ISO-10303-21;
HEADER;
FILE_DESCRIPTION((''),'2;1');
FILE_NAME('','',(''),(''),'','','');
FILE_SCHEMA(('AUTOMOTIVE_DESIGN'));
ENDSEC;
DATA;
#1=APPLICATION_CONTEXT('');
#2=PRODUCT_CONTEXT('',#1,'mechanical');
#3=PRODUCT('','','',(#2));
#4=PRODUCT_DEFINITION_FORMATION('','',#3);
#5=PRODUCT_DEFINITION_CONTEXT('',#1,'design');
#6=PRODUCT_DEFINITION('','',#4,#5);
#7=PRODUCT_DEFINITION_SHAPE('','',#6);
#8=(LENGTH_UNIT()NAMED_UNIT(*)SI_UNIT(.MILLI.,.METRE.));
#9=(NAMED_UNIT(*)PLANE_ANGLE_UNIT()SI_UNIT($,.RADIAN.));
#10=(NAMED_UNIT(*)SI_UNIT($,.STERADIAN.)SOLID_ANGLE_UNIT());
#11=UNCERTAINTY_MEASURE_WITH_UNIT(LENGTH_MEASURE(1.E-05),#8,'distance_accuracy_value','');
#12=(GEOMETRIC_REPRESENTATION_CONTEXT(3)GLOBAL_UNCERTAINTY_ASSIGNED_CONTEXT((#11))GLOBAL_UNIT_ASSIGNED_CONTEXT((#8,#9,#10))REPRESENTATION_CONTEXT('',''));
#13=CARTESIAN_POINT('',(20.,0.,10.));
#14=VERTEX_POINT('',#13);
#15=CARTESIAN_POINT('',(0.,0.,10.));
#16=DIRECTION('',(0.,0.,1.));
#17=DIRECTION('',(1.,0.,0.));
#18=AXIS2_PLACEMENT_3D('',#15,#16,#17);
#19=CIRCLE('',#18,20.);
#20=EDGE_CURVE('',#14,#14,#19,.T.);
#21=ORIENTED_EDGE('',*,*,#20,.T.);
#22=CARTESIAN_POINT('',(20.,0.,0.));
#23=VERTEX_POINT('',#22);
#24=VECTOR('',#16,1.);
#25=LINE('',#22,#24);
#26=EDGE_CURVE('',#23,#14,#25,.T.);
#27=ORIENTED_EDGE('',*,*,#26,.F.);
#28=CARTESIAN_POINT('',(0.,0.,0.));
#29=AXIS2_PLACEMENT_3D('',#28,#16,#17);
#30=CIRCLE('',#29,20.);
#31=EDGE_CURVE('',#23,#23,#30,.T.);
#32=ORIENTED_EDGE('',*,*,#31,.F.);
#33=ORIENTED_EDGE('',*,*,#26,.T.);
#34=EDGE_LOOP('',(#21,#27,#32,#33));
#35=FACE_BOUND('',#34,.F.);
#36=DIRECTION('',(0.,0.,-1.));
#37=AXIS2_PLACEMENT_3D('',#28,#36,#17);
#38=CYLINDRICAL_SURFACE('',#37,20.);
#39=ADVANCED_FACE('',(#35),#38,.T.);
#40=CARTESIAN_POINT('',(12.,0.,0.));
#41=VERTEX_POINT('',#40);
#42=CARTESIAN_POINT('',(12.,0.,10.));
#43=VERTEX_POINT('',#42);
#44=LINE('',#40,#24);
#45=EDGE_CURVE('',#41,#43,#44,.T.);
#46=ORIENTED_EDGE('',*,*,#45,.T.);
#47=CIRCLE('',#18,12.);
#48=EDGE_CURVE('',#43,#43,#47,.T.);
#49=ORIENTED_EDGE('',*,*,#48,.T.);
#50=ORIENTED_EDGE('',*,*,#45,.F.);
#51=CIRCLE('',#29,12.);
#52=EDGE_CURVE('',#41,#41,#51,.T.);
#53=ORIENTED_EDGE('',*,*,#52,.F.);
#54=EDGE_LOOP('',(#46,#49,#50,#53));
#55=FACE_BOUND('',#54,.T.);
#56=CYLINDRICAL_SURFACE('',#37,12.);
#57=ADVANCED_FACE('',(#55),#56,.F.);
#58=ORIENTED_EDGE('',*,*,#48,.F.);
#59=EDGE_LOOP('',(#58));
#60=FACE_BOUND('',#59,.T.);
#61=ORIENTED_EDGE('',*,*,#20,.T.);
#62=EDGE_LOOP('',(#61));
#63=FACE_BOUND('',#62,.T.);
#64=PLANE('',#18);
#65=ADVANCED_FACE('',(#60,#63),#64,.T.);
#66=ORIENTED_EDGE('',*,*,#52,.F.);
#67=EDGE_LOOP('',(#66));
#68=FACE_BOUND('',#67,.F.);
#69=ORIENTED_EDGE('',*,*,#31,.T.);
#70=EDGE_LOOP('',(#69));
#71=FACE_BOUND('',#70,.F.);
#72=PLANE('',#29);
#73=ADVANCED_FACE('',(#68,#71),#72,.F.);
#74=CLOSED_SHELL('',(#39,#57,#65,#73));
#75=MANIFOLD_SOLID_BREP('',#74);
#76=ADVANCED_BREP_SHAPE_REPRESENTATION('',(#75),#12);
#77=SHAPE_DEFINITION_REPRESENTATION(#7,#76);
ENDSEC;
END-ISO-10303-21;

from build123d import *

# Parameters (mm, degrees)
SKETCH_R   = 20
SKETCH_R_2 = 12
PAD_DEPTH  = 10


with BuildPart() as part:
    # Sketch → Pad (new body)
    with BuildSketch(Plane.XY):
        Circle(SKETCH_R)
        Circle(SKETCH_R_2, mode=Mode.SUBTRACT)
    extrude(amount=PAD_DEPTH)


solid = part.part
